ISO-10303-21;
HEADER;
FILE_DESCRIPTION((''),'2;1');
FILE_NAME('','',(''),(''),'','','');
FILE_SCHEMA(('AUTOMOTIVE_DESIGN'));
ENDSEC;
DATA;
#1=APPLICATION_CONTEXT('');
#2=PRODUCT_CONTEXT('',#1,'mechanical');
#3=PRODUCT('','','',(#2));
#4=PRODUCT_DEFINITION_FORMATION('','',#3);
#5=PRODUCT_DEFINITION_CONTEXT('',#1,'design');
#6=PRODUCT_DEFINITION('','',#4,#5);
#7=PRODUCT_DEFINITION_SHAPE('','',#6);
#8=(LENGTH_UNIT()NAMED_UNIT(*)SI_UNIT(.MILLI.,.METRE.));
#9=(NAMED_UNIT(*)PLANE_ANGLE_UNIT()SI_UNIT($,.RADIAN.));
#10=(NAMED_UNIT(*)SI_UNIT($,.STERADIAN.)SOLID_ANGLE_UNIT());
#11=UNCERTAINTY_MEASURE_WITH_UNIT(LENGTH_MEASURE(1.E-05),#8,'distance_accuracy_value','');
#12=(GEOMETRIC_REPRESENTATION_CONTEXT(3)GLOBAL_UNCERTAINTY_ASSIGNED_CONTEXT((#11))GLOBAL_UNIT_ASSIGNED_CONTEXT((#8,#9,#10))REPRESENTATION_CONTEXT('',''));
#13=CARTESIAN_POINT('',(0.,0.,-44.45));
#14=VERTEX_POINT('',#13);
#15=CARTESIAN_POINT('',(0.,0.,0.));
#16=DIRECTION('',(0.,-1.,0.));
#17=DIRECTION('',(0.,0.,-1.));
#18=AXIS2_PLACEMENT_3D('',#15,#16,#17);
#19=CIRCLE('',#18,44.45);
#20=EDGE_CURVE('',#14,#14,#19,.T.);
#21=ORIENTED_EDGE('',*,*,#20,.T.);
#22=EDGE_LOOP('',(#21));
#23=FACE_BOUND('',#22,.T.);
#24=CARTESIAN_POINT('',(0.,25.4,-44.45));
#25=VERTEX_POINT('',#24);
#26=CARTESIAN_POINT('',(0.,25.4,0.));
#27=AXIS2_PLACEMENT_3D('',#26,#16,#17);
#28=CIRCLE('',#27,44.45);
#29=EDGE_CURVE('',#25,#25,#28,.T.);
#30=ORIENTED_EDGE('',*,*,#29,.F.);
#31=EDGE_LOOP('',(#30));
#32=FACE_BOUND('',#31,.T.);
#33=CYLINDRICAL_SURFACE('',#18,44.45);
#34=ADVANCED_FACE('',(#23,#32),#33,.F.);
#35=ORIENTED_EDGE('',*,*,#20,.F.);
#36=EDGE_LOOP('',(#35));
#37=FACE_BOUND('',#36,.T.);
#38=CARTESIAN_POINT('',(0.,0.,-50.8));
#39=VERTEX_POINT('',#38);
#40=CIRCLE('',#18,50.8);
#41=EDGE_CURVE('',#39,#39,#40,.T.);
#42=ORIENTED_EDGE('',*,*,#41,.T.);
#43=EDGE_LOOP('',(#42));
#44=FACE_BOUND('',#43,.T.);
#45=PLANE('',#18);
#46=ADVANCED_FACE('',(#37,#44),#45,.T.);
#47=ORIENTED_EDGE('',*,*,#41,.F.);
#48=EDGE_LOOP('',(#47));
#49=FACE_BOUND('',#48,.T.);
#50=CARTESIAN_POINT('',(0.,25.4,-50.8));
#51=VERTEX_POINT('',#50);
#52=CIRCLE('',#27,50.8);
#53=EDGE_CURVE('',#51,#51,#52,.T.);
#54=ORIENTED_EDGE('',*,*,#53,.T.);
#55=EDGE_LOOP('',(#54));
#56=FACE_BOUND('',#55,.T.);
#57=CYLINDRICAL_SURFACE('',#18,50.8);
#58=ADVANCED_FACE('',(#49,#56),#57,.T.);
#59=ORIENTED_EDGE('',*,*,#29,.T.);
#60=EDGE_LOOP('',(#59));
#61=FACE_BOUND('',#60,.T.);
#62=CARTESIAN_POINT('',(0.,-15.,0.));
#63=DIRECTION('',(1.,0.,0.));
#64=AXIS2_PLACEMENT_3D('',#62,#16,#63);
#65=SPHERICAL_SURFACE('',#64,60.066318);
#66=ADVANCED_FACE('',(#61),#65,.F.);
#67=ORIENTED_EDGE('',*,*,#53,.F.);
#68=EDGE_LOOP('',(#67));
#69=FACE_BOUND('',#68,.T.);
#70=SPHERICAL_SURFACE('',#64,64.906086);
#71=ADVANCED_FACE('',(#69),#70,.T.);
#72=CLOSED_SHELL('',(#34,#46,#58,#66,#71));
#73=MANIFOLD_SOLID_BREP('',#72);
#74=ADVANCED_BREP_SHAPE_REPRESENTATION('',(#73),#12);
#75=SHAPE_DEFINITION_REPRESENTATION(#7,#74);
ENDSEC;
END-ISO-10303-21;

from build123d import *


with BuildPart() as part:
    # Sketch1 → Revolve1 (revolve)
    with BuildSketch(Plane.XY, mode=Mode.PRIVATE) as revolve1_sk:
        with BuildLine():
            Line((44.45, 25.4), (44.45, 0))
            Line((44.45, 0), (50.8, 0))
            Line((50.8, 0), (50.8, 17.05187202))
            ThreePointArc((50.8, 17.05187202), (47.807566715, 21.364805304), (44.45, 25.4))
        make_face()
        with BuildLine():
            ThreePointArc((0, 45.066317517), (24.303119885, 39.930145311), (44.45, 25.4))
            ThreePointArc((44.45, 25.4), (47.807566715, 21.364805304), (50.8, 17.05187202))
            Line((50.8, 17.05187202), (50.8, 25.4))
            ThreePointArc((50.8, 25.4), (28.201011733, 43.459412734), (0, 49.906086001))
            Line((0, 49.906086001), (0, 45.066317517))
        make_face()
    revolve(revolve1_sk.sketch.rotate(Axis((0, 0, 0), (0, 1, 0)), 90), axis=Axis((0, 0, 0), (0, 1, 0)))


solid = part.part
